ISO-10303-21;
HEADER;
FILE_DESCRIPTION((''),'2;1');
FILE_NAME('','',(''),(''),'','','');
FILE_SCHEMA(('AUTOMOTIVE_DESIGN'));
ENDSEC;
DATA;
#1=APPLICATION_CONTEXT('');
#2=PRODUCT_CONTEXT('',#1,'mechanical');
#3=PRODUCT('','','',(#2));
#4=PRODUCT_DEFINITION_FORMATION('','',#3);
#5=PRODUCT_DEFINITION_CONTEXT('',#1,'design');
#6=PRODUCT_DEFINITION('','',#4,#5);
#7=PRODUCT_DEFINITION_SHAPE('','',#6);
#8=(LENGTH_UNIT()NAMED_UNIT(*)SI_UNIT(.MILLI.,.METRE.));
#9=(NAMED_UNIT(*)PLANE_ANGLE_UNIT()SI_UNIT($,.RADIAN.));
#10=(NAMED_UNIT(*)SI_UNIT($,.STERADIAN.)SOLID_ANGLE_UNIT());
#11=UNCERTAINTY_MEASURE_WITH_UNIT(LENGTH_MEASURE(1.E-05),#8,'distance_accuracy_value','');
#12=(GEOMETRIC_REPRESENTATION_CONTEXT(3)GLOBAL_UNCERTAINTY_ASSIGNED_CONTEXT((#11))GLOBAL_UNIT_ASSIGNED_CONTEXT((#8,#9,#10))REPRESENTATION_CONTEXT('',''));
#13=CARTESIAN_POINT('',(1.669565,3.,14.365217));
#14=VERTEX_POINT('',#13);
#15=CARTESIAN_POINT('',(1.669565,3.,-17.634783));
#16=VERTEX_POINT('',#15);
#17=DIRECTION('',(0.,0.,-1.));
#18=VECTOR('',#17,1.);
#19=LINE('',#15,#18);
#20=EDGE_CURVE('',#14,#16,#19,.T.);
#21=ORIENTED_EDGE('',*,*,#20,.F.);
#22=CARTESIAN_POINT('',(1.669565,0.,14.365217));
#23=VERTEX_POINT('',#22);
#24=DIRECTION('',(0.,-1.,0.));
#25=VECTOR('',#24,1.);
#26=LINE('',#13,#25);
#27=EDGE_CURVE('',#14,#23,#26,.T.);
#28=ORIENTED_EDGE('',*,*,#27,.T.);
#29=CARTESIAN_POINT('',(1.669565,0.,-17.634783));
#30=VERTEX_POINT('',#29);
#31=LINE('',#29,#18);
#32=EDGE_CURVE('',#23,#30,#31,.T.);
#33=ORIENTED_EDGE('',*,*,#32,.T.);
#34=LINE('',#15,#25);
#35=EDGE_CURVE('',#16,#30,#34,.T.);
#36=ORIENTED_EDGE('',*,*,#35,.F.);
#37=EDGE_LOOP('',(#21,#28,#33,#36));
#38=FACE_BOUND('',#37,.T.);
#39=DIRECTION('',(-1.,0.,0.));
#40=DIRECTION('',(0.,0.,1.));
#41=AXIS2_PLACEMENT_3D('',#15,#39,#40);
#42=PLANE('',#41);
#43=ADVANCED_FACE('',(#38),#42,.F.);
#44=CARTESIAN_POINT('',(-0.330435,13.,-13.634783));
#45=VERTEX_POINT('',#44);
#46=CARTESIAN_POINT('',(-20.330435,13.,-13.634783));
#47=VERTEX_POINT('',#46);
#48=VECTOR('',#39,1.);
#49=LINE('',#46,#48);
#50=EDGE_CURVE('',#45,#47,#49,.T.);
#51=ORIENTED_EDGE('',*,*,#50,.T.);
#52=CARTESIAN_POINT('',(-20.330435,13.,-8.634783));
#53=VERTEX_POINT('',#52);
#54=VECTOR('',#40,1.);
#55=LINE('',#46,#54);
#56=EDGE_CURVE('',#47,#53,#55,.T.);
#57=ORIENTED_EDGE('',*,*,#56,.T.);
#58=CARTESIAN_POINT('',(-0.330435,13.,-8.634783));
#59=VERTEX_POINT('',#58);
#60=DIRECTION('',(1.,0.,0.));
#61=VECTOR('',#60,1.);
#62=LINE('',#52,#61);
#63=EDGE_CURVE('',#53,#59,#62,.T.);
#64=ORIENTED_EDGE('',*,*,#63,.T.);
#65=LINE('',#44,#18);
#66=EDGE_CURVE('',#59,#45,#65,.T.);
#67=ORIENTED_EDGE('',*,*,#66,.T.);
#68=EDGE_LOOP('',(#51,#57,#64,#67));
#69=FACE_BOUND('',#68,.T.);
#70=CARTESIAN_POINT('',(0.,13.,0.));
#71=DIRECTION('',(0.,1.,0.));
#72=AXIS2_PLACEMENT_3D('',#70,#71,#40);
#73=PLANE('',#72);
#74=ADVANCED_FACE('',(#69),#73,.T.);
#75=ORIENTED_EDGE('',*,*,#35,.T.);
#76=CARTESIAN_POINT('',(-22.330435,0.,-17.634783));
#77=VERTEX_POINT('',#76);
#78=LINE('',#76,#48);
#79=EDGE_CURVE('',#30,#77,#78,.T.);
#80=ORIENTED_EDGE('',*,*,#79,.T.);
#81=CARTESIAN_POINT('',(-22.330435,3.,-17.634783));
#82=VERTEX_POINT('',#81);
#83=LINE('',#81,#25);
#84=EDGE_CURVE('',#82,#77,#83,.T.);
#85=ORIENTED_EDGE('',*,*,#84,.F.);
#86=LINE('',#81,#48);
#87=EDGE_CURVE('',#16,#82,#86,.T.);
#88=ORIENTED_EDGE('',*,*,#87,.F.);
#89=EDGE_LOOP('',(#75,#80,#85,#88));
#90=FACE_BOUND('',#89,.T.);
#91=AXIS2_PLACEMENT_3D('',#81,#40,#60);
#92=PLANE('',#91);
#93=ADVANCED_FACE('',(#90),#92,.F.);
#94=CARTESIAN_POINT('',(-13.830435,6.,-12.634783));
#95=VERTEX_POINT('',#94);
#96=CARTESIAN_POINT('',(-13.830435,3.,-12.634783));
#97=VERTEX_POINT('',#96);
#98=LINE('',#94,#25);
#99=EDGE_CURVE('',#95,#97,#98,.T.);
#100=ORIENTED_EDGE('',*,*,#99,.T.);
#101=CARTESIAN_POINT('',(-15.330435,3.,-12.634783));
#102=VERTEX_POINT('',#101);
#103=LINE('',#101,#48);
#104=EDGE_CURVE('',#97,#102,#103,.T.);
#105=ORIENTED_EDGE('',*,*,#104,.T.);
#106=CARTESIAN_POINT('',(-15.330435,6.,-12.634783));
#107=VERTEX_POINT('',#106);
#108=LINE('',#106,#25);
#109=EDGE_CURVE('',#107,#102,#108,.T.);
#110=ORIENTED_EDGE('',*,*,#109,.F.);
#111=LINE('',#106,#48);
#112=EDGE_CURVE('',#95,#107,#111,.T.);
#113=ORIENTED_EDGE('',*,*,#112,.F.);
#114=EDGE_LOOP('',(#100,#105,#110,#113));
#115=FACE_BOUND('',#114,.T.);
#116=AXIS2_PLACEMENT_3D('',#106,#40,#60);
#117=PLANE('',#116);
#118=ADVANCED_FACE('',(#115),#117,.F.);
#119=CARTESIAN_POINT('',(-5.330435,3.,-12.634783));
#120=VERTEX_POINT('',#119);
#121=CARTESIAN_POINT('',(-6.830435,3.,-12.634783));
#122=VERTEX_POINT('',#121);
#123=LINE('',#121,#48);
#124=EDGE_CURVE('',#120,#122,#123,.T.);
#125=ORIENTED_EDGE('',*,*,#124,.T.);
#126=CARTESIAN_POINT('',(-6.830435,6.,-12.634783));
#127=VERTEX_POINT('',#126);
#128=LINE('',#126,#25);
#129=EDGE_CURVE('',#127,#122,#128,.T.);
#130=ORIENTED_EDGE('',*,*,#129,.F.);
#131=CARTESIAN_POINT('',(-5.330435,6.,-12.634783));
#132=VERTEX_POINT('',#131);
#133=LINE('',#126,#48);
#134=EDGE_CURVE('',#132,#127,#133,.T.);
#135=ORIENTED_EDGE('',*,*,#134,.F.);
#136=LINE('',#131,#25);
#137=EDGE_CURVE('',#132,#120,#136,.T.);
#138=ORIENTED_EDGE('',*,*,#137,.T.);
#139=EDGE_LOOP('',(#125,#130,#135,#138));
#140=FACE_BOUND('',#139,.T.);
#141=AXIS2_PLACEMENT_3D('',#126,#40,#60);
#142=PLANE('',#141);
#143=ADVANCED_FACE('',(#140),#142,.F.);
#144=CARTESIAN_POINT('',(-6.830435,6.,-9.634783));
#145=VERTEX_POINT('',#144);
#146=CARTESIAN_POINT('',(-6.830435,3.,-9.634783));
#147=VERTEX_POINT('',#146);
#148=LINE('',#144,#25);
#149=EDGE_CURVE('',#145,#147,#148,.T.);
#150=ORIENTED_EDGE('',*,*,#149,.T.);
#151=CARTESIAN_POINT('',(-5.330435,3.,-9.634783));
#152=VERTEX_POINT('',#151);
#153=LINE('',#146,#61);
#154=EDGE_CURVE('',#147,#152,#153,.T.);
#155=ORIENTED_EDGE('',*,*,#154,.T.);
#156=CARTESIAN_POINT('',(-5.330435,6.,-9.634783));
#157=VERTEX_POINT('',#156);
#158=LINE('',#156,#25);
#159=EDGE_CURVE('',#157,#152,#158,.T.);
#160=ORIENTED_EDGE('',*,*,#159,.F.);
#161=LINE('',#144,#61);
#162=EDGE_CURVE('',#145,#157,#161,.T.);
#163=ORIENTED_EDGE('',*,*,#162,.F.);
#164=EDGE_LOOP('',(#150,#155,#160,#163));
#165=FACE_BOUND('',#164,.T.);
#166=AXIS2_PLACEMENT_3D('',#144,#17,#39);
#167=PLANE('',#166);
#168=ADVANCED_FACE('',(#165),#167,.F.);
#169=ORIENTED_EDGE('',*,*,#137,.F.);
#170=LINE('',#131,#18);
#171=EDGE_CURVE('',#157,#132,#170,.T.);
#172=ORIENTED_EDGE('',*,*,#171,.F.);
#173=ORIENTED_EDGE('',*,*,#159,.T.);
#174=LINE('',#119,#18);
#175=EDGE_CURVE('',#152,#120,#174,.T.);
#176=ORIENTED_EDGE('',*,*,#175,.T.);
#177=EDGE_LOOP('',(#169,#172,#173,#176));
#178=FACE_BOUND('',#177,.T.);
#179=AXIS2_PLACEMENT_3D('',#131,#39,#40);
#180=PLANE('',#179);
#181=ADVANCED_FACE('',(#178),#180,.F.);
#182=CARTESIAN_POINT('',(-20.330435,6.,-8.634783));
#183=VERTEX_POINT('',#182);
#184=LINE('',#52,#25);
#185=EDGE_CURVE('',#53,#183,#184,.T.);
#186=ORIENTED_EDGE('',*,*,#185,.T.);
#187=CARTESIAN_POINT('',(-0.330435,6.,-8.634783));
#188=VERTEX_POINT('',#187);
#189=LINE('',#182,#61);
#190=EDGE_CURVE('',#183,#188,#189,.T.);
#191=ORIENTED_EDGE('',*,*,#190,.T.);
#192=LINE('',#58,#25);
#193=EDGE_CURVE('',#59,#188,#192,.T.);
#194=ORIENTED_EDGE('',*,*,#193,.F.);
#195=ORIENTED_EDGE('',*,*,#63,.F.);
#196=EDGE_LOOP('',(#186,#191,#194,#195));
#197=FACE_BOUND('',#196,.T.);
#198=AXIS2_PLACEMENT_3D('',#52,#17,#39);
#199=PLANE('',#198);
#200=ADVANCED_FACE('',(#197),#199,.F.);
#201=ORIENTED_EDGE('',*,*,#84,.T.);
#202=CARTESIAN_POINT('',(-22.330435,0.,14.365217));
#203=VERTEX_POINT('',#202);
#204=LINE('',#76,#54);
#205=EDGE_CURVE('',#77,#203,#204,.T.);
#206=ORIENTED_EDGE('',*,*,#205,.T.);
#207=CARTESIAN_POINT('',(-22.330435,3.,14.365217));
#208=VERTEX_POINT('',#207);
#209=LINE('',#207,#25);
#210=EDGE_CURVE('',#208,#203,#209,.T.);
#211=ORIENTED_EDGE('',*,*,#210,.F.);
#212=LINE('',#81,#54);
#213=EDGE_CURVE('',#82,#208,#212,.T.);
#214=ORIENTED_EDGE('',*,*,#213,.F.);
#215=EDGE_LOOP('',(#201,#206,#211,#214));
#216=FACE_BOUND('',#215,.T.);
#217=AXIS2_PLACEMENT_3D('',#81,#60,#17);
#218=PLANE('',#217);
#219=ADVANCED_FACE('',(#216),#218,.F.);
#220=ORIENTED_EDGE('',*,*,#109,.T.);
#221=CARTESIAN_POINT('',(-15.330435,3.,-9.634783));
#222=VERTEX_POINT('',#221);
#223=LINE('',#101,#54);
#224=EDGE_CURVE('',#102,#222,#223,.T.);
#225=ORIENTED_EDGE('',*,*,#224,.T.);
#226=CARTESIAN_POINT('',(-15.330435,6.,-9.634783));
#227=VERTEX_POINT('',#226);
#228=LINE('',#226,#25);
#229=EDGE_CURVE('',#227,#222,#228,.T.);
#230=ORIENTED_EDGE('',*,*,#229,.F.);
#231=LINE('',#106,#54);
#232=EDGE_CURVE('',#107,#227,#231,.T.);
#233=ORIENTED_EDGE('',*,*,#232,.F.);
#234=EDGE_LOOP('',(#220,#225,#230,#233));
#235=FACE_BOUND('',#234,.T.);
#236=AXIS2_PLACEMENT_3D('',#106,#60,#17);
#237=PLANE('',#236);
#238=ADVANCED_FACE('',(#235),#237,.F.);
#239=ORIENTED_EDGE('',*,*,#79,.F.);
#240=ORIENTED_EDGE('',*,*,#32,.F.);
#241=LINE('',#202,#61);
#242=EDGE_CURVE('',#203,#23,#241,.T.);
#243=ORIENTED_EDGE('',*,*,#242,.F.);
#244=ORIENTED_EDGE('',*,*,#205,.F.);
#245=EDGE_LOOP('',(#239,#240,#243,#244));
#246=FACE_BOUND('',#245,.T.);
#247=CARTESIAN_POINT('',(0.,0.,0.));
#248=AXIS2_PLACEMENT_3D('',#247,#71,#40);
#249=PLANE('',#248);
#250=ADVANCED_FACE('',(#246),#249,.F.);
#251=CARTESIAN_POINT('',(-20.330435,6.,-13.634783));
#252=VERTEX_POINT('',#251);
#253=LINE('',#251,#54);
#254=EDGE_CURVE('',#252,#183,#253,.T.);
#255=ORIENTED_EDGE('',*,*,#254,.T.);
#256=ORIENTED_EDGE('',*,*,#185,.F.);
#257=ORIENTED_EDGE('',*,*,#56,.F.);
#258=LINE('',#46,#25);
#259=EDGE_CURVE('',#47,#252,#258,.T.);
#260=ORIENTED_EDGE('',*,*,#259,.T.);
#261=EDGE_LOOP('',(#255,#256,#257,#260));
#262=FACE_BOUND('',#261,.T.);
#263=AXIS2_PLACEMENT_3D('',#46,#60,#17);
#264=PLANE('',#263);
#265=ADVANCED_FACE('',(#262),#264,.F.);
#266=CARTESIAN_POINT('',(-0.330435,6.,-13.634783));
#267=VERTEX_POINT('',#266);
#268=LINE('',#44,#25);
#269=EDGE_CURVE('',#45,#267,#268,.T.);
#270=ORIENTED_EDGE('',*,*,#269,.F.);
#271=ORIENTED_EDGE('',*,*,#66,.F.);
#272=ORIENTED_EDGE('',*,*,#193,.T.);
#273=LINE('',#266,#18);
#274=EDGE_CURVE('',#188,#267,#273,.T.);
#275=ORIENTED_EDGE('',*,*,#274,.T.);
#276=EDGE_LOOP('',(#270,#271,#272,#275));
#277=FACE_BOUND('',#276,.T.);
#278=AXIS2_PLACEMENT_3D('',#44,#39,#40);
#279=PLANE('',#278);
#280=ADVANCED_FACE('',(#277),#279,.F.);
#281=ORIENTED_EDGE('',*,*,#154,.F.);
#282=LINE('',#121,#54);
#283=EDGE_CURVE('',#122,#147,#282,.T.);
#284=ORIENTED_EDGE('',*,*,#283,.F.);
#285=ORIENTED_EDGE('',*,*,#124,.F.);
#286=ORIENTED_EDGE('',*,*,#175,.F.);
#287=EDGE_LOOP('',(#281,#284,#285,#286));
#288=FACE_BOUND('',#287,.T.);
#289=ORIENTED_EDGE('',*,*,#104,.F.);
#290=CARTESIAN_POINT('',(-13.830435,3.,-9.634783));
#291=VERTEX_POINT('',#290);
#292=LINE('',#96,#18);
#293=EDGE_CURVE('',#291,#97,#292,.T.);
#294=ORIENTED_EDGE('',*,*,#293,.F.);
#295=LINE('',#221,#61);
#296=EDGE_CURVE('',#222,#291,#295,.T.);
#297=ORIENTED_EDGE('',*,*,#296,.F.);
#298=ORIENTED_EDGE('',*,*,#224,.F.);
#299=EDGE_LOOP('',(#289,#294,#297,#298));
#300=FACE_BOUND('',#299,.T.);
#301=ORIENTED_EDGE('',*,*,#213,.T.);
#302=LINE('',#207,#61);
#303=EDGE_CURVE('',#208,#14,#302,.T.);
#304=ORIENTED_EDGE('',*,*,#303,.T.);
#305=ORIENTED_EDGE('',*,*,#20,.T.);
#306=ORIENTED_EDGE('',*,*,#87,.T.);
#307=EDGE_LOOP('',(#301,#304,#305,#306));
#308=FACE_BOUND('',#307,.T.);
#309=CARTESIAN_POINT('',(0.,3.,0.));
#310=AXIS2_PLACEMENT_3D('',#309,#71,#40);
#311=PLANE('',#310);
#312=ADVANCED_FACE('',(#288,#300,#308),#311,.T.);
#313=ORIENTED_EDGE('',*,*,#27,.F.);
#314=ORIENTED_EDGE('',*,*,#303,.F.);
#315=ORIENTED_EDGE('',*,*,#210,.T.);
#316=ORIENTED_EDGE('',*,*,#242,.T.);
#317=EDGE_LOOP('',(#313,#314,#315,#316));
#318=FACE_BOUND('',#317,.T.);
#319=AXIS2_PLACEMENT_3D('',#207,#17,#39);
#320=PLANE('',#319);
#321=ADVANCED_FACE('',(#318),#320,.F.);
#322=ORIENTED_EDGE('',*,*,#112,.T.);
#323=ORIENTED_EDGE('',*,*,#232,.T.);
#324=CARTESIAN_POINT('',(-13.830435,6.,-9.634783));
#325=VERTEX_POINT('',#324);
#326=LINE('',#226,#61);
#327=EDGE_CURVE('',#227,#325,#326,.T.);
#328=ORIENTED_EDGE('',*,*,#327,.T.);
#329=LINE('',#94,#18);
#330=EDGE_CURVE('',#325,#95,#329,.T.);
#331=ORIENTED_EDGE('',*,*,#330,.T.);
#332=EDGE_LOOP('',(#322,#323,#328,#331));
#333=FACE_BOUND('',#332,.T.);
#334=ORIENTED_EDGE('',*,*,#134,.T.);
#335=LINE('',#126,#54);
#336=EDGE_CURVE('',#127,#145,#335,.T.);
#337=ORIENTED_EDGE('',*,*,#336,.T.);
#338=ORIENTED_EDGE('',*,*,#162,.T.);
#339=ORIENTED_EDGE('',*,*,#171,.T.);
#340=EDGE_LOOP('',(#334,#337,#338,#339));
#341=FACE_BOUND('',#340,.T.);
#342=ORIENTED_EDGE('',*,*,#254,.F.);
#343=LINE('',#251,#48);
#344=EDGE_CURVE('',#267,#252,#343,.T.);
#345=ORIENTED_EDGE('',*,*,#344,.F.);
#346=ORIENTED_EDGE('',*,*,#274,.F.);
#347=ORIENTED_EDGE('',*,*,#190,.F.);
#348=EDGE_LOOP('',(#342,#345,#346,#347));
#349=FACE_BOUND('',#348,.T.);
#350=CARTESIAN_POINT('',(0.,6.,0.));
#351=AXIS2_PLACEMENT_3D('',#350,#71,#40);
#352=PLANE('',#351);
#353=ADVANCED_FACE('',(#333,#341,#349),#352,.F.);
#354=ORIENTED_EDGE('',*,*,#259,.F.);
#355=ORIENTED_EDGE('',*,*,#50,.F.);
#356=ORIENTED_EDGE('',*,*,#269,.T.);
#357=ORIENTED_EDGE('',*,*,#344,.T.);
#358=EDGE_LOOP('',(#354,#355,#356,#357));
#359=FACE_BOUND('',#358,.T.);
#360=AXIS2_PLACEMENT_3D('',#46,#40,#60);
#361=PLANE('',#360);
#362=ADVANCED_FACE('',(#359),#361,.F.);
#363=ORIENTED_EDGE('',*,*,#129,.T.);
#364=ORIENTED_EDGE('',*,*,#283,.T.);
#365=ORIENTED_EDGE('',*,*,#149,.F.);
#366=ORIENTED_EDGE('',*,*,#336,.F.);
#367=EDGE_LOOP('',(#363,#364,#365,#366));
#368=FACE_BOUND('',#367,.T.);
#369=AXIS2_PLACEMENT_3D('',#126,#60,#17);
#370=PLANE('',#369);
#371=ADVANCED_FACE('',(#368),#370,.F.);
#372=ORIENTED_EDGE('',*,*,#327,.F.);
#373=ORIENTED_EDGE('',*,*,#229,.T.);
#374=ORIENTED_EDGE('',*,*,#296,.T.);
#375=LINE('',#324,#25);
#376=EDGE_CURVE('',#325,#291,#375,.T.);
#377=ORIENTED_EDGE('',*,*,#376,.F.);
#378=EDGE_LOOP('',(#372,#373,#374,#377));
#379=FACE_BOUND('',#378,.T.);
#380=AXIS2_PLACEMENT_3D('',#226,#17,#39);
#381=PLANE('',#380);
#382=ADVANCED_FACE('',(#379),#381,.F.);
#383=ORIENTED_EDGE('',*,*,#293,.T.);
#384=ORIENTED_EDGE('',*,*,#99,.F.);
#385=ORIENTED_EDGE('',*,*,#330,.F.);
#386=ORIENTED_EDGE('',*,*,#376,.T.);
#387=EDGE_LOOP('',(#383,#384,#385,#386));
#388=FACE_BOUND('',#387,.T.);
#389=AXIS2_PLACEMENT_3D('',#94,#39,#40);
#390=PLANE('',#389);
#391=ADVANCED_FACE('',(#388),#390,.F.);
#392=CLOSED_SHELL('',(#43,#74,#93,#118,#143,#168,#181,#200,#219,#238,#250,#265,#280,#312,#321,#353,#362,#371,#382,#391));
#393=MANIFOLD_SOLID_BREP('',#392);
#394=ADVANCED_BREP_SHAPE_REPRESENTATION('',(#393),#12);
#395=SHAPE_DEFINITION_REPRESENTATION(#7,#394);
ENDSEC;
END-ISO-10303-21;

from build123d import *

# Parameters (mm, degrees)
SKETCH1_W           = 24
SKETCH1_H           = 32
BOSS_EXTRUDE1_DEPTH = 3
SKETCH2_W           = 1.5
SKETCH2_H           = 3
BOSS_EXTRUDE3_DEPTH = 3
SKETCH3_W           = 20
SKETCH3_H           = 5
BOSS_EXTRUDE4_DEPTH = 7


with BuildPart() as part:
    # Sketch1 → Boss-Extrude1 (new body)
    with BuildSketch(Plane(origin=(0, 0, 0), x_dir=(1, 0, 0), z_dir=(0, 1, 0))):
        with Locations((-10.330434783, 1.634782609)):
            Rectangle(SKETCH1_W, SKETCH1_H)
    extrude(amount=BOSS_EXTRUDE1_DEPTH)

    # Sketch2 → Boss-Extrude3 (add)
    with BuildSketch(Plane(origin=(0, 3, 0), x_dir=(1, 0, 0), z_dir=(0, 1, 0))):
        with Locations((-14.580434783, 11.134782609)):
            Rectangle(SKETCH2_W, SKETCH2_H)
        with Locations((-6.080434783, 11.134782609)):
            Rectangle(SKETCH2_W, SKETCH2_H)
    extrude(amount=BOSS_EXTRUDE3_DEPTH)

    # Sketch3 → Boss-Extrude4 (add)
    with BuildSketch(Plane(origin=(0, 6, 0), x_dir=(1, 0, 0), z_dir=(0, 1, 0))):
        with Locations((-10.330434783, 11.134782609)):
            Rectangle(SKETCH3_W, SKETCH3_H)
    extrude(amount=BOSS_EXTRUDE4_DEPTH)


solid = part.part
